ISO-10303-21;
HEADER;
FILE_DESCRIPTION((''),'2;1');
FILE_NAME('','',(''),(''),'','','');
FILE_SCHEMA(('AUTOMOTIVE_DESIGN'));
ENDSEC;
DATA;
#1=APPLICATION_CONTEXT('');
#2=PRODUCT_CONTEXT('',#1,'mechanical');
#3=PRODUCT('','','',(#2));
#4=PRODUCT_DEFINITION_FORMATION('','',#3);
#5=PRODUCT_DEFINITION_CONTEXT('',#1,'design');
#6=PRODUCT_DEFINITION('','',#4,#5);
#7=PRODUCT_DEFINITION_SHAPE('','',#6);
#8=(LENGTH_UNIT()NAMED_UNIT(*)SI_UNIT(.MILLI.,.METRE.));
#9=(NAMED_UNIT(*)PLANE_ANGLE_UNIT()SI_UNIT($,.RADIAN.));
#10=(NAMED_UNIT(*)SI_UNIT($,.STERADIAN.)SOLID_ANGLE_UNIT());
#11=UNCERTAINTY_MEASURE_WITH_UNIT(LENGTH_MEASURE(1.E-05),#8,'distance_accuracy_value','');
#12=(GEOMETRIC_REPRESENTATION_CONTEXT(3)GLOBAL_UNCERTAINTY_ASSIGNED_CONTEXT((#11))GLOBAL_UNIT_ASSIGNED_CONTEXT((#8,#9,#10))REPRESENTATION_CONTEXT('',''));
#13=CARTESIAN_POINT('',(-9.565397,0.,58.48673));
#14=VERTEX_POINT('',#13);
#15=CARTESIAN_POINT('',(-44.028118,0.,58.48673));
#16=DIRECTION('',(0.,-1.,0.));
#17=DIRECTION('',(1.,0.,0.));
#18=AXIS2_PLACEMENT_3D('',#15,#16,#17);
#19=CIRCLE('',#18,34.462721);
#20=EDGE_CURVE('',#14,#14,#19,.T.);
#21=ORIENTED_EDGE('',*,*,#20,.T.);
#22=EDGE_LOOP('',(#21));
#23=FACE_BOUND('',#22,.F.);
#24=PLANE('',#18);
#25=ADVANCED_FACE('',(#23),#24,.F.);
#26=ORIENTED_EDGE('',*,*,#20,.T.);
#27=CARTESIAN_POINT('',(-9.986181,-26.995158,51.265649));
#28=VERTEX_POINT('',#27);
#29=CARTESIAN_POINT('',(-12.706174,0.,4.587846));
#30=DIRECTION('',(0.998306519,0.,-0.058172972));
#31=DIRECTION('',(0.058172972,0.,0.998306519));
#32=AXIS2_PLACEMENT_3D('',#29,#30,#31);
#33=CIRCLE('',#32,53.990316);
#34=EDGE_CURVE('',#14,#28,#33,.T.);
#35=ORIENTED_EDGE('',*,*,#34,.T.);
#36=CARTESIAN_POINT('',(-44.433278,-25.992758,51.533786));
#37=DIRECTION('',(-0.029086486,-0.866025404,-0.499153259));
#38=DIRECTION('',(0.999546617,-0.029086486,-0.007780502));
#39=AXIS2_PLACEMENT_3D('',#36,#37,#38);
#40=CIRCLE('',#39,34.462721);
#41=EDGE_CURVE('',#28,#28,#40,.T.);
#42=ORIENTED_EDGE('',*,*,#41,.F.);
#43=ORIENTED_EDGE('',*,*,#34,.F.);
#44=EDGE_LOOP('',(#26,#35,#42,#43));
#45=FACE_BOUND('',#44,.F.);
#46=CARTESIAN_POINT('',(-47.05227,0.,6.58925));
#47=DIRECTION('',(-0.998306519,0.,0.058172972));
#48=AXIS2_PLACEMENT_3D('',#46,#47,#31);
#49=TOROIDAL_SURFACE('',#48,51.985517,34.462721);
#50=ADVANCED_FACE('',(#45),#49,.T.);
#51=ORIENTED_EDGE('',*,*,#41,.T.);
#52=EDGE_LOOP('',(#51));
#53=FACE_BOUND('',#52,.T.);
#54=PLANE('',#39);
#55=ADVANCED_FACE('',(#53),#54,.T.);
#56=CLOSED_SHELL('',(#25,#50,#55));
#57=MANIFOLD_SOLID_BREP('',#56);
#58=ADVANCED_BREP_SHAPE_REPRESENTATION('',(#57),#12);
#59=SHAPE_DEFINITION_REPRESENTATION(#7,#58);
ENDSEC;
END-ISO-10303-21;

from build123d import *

# Parameters (mm, degrees)
F0_R     = 33.863403
F0_W     = 34.403794
F0_H     = 23.062286
F1_DEPTH = 125
F2_SIZE  = 5
F3_R     = 5
F4_R     = 34.462721
F5_ANGLE = 30


with BuildPart() as f1:
    # F0 (on Front) → F1 (new body)
    with BuildSketch(Plane.XZ):
        Circle(F0_R)
        Rectangle(F0_W, F0_H, mode=Mode.SUBTRACT)
    extrude(amount=F1_DEPTH)

    # F2
    f2_edges = [f1.edges().sort_by_distance(p)[0] for p in [
        (-33.863403, -125, 0),
    ]]
    chamfer(f2_edges, length=F2_SIZE)

    # F3
    f3_edges = [f1.edges().sort_by_distance(p)[0] for p in [
        (0, -125, 11.531143),
        (-17.201897, -125, 0),
        (0, -125, -11.531143),
        (17.201897, -125, 0),
    ]]
    fillet(f3_edges, radius=F3_R)


with BuildPart() as f5:
    # F4 (on Front) → F5 (revolve)
    with BuildSketch(Plane.XZ):
        with Locations((-44.028118, 58.48673)):
            Circle(F4_R)
    revolve(axis=Axis((-18.287189, 0, 4.913061), (0.998307, 0, -0.058173)), revolution_arc=F5_ANGLE)


solid = f5.part
